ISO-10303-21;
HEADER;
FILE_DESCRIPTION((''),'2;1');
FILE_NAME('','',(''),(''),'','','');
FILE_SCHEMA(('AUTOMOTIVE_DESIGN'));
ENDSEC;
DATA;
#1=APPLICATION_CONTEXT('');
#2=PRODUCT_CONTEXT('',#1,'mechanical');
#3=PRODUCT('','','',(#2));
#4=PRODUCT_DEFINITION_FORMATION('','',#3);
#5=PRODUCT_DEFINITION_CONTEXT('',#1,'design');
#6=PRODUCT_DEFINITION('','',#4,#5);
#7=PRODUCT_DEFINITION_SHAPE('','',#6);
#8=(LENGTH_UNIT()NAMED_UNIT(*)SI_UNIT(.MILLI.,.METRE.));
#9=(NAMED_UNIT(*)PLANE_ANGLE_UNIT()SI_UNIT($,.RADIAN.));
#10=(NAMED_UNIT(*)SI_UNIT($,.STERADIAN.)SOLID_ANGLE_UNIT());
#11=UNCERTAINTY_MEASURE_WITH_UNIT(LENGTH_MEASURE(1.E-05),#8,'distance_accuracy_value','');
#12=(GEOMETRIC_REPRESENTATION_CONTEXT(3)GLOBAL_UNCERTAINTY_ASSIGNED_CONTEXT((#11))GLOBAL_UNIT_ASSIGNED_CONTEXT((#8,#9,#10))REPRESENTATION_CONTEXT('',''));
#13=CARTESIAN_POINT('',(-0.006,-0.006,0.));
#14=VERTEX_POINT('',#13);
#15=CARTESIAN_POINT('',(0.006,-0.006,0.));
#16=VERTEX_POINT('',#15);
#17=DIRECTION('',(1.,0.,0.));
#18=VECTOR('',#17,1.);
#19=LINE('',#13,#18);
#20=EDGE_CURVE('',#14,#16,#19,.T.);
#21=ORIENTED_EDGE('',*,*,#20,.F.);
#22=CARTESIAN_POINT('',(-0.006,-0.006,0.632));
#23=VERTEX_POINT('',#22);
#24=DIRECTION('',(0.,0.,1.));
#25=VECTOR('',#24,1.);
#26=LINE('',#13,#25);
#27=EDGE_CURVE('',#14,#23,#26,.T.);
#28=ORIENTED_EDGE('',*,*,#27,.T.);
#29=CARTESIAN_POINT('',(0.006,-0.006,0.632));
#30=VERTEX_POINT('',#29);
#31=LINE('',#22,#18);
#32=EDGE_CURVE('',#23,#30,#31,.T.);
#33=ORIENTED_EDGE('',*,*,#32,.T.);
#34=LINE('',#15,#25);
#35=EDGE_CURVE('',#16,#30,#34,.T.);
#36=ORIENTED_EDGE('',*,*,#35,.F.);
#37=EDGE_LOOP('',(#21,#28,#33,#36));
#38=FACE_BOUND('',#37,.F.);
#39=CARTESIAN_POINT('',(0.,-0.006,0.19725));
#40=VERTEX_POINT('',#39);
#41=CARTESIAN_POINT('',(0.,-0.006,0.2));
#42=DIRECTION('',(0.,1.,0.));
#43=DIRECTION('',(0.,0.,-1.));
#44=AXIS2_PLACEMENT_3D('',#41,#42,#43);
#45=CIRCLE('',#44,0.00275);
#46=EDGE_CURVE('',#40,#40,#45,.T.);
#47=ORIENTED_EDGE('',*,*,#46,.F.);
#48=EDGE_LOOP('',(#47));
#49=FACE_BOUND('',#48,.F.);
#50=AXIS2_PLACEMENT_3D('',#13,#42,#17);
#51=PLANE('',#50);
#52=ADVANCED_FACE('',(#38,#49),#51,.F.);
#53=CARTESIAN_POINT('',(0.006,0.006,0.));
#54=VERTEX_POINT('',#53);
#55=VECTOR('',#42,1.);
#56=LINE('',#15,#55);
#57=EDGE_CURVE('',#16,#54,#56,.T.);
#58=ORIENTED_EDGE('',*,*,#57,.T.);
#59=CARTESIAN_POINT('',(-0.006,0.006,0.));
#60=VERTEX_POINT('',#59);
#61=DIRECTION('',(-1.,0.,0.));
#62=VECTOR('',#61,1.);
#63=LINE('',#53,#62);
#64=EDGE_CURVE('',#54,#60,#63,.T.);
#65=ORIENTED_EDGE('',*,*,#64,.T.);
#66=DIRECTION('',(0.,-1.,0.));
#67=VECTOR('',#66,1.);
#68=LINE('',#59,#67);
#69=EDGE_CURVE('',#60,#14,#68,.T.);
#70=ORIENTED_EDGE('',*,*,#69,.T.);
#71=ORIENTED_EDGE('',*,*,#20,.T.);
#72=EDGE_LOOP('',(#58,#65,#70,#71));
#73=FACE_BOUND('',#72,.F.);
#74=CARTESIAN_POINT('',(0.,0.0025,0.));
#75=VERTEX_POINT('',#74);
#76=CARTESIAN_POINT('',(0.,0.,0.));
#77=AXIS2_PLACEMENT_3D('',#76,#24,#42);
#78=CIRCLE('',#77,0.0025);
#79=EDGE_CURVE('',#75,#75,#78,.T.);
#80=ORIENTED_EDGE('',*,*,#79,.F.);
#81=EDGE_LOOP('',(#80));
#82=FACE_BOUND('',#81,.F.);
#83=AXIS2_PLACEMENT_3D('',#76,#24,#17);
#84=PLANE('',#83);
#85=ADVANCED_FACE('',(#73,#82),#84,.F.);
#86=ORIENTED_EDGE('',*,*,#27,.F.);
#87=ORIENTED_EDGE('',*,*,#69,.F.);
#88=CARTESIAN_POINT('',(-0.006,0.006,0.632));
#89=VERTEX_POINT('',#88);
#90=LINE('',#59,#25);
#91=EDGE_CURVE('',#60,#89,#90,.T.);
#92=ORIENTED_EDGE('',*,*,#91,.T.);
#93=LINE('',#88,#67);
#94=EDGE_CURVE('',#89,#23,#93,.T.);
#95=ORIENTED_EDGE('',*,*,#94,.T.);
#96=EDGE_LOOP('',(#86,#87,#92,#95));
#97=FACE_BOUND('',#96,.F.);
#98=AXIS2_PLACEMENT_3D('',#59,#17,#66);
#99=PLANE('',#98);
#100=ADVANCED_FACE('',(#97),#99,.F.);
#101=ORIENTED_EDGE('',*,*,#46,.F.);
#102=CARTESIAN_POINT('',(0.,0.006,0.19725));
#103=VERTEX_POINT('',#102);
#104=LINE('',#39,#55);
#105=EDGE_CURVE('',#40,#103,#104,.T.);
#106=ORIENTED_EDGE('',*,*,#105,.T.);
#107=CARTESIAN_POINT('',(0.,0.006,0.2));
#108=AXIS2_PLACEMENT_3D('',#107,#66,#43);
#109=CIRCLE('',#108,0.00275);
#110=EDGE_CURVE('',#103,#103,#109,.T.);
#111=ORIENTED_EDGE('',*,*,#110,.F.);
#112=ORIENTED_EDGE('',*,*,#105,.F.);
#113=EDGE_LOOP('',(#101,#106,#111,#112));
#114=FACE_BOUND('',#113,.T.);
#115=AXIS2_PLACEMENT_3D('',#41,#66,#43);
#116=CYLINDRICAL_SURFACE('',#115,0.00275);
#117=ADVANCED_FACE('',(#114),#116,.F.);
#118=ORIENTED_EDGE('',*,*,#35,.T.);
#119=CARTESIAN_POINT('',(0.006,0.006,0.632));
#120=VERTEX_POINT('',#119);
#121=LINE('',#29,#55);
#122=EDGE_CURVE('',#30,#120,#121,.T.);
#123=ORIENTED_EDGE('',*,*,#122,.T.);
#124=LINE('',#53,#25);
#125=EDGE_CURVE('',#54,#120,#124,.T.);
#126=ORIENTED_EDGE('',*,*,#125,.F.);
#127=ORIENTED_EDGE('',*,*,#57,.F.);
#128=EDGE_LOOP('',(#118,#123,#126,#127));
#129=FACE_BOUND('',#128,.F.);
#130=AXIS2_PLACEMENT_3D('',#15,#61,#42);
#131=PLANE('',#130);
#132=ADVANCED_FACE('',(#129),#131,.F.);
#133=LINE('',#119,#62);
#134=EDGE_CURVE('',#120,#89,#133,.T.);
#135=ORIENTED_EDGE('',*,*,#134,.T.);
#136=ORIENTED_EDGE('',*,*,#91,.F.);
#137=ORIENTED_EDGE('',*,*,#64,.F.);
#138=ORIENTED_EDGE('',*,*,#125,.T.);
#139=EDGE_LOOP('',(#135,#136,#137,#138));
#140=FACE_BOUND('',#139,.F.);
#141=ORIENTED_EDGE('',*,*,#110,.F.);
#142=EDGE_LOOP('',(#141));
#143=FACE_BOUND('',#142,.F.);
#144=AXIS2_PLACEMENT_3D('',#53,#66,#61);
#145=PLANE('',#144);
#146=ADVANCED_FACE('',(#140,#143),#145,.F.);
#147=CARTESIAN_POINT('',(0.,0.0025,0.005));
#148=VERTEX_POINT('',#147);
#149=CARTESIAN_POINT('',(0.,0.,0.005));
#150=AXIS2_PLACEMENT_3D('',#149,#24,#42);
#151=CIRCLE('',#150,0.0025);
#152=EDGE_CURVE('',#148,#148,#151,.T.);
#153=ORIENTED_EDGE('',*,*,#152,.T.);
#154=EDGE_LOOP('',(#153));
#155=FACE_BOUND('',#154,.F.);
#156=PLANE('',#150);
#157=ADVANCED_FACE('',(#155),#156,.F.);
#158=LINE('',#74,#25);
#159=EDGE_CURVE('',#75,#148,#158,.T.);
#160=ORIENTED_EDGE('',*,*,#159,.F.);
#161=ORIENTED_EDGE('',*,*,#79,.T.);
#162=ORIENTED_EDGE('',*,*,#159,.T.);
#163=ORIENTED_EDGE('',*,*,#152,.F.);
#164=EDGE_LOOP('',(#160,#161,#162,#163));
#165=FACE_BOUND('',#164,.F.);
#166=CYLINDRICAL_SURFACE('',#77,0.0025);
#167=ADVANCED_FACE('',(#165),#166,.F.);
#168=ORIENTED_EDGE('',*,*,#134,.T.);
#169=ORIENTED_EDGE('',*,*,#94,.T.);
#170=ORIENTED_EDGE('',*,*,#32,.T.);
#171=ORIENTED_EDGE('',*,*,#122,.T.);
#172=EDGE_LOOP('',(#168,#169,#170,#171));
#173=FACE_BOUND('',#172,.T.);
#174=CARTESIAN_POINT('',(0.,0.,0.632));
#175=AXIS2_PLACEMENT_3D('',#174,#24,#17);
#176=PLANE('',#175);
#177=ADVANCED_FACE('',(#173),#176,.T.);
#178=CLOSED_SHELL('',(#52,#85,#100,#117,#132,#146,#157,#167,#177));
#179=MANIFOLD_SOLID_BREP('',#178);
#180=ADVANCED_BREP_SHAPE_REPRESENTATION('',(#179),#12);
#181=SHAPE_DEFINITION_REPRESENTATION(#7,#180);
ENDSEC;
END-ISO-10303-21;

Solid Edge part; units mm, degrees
sketch "Sketch1" plane through (0, 0, 0) normal (0, 0, 1) x (1, 0, 0)
  line L0 (-0.006, -0.006) -> (0.006, -0.006)
  line L1 (0.006, -0.006) -> (0.006, 0.006)
  line L2 (0.006, 0.006) -> (-0.006, 0.006)
  line L3 (-0.006, 0.006) -> (-0.006, -0.006)
  dimension "D1" = 0.012
extrude "Protrusion1" add sketch "Sketch1" along normal blind 0.632
hole "Bohrung_1" at (0, -0.006, 0.2) direction (0, 1, 0) diameter 0.0055 end through all
hole "Bohrung_2" at (0, 0, 0) direction (0, 0, 1) diameter 0.005 depth 0.005
